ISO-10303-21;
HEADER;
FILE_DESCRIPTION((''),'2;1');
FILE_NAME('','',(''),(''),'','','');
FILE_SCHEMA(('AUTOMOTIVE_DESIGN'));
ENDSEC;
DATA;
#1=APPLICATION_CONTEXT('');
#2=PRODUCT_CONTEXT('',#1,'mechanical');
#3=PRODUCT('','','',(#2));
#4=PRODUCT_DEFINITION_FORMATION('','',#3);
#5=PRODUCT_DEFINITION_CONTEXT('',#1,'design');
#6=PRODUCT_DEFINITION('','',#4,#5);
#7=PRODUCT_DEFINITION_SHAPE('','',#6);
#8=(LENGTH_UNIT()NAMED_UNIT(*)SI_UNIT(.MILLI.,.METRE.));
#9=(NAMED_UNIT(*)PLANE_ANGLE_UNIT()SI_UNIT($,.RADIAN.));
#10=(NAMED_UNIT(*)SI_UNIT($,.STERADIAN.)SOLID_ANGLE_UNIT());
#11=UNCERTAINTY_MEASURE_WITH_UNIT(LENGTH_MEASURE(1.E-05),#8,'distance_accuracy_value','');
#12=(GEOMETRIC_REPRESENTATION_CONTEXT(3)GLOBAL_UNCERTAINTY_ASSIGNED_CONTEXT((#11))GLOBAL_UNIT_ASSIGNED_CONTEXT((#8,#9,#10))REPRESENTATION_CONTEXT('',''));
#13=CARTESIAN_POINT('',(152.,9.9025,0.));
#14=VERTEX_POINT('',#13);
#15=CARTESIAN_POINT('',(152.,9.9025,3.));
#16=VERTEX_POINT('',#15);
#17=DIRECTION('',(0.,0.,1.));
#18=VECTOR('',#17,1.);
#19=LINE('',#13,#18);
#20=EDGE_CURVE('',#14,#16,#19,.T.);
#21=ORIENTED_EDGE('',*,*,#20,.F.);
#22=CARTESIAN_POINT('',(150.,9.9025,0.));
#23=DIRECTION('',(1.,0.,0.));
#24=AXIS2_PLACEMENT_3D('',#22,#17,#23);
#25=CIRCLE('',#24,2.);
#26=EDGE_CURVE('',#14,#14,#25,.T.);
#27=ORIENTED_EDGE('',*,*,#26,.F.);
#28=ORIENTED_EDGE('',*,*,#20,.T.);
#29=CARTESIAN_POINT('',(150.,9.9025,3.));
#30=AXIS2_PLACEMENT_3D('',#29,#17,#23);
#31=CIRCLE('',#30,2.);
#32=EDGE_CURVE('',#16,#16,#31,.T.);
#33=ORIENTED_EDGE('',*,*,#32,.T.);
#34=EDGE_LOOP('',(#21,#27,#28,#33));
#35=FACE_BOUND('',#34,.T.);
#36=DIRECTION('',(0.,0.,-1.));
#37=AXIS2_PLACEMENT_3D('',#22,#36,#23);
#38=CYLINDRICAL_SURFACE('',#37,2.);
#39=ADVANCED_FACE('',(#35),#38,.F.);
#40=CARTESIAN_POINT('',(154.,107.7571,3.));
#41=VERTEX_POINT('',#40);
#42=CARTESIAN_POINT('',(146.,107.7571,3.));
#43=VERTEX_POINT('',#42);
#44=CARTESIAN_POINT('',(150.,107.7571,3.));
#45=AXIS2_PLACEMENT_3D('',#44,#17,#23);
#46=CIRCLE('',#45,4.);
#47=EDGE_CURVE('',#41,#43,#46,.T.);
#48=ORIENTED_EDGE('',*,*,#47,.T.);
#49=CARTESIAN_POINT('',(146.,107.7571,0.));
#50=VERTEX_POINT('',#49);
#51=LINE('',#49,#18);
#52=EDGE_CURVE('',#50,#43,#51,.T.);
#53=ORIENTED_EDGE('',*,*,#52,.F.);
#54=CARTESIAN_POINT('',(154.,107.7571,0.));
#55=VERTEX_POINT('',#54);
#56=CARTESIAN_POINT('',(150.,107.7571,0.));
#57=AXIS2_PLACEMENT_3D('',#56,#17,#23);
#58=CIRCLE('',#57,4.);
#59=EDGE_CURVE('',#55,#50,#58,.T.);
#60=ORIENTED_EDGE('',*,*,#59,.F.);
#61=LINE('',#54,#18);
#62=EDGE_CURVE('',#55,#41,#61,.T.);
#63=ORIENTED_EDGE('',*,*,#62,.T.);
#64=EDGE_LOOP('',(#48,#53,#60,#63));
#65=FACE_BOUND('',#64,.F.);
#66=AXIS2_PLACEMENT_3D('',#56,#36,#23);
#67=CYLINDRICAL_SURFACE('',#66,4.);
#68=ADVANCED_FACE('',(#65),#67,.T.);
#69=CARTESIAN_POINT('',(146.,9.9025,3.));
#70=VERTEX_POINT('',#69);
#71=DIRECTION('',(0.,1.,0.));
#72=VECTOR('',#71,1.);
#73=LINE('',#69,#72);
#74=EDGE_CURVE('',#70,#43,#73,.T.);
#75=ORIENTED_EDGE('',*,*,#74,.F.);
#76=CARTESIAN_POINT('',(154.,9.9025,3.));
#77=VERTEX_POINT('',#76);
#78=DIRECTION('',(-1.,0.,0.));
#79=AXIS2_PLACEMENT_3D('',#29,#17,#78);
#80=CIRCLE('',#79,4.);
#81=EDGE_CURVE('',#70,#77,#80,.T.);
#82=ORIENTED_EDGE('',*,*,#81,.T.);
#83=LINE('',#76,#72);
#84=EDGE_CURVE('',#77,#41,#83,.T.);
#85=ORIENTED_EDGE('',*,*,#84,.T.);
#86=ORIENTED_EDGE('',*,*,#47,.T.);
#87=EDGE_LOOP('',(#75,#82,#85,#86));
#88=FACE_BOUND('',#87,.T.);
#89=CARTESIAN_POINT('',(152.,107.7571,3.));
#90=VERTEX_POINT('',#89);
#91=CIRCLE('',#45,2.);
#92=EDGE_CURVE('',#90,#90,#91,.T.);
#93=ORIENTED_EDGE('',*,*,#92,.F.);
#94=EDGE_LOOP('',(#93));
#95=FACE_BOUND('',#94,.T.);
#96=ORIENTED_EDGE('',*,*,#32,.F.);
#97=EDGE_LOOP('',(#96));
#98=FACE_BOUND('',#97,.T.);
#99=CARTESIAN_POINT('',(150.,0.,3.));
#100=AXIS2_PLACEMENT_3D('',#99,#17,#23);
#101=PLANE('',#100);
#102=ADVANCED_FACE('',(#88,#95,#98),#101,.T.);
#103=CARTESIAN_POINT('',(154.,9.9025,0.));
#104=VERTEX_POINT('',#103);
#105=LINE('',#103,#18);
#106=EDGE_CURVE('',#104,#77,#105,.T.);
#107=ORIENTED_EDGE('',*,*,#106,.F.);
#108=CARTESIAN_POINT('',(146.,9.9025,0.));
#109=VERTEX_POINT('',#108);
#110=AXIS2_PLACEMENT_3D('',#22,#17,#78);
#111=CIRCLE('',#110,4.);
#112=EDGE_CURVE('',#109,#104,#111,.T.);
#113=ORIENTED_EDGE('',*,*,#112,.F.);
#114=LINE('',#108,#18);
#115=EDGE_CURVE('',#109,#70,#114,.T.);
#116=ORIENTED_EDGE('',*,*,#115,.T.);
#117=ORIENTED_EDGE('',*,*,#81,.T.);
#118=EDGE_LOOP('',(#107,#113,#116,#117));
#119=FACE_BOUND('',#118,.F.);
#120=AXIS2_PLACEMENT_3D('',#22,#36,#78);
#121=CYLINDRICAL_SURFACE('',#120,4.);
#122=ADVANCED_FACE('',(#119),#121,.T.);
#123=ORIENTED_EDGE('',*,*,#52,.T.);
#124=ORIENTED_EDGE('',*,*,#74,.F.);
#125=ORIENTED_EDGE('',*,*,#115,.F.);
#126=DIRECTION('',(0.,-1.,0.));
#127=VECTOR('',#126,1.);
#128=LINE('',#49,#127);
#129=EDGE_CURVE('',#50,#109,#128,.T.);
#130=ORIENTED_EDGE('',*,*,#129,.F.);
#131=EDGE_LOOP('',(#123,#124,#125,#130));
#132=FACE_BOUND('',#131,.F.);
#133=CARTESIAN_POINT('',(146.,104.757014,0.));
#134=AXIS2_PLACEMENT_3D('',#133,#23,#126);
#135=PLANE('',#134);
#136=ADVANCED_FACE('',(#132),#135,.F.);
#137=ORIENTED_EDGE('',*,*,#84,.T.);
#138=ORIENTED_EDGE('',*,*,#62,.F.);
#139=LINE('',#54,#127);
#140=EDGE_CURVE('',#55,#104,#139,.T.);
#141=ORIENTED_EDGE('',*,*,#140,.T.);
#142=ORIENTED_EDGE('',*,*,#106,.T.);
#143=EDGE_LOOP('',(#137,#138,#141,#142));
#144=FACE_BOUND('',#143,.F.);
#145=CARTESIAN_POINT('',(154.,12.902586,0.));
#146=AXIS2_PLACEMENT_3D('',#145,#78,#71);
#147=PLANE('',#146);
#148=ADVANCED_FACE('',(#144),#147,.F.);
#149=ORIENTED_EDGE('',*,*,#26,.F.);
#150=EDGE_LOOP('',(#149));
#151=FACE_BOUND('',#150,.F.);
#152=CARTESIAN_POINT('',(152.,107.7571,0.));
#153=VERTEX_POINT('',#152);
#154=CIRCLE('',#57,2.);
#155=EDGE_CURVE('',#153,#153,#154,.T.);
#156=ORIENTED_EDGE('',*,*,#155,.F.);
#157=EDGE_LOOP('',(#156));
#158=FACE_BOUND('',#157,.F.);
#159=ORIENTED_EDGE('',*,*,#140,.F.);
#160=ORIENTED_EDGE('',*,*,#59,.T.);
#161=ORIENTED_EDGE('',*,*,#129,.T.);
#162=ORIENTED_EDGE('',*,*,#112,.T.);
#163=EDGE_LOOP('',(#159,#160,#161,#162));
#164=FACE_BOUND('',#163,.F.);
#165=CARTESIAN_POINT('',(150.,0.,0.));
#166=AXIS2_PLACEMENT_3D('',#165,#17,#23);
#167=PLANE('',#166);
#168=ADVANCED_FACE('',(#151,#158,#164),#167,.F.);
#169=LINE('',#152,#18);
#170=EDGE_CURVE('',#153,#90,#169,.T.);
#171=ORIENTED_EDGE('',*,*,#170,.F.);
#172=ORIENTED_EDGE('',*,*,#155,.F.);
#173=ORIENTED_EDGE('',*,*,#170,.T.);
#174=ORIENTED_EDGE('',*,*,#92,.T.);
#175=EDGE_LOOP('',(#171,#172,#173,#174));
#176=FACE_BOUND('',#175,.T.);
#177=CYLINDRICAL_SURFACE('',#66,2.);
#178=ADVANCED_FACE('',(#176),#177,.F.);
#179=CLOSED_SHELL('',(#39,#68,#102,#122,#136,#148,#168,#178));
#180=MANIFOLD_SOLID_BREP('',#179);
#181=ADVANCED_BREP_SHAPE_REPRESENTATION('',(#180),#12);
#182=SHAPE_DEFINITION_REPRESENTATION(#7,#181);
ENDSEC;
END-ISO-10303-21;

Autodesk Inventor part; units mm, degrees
ref_plane "YZ Plane" through (0, 0, 0) normal (1, 0, 0) x (0, 1, 0)
ref_plane "XZ Plane" through (0, 0, 0) normal (0, 1, 0) x (-1, 0, 0)
ref_plane "XY Plane" through (0, 0, 0) normal (0, 0, 1) x (1, 0, 0)
ref_plane "Work Plane1" through (0, -25.5202, -99.7789) normal (0, -1, 0) x (-1, 0, 0)
ref_plane "Work Plane2" through (150, 0, 0) normal (0, 0, 1) x (1, 0, 0)
sketch "Sketch1" plane through (150, 0, 0) normal (0, 0, 1) x (1, 0, 0)
  line L0 (-4.7216, 11.5478) -> (-13.9385, -14.9025) projected
  line L1 (-13.9385, -14.9025) -> (13.9385, -14.9025) projected
  line L2 (13.9385, -14.9025) -> (4.7216, 11.5478) projected
  arc A0 (4.7216, 11.5478) -> (-4.7216, 11.5478) centre (0, 9.9025) ccw projected
  line L3 (-4.7216, 11.5478) -> (-13.9385, -14.9025) projected
  circle A1 centre (0, 9.9025) radius 2 projected
  arc A2 (-4.7216, 106.1118) -> (4.7216, 106.1118) centre (0, 107.7571) ccw projected
  line L4 (4.7216, 106.1118) -> (13.9385, 132.5621) projected
  line L5 (13.9385, 132.5621) -> (-13.9385, 132.5621) projected
  line L6 (-13.9385, 132.5621) -> (-4.7216, 106.1118) projected
  circle A3 centre (0, 107.7571) radius 2 projected
  line L7 (0, 9.9025) -> (0, 107.7571) construction
  line L8 (4, 9.9025) -> (4, 107.7571)
  line L9 (-4, 107.7571) -> (-4, 9.9025)
  arc A4 (-4, 9.9025) -> (4, 9.9025) centre (0, 9.9025) ccw
  arc A5 (4, 107.7571) -> (-4, 107.7571) centre (0, 107.7571) ccw
  point P0 (-150, 0)
  point P1 (0, 58.8298)
  dimension "d0" = 8
extrude "Extrusion1" add sketch "Sketch1" along normal blind 3 contours L9 A2 L8 A0 | A0 L8 A4 L9 | L9 A5 L8 A2
properties part number "horizontal bottom trusses"
